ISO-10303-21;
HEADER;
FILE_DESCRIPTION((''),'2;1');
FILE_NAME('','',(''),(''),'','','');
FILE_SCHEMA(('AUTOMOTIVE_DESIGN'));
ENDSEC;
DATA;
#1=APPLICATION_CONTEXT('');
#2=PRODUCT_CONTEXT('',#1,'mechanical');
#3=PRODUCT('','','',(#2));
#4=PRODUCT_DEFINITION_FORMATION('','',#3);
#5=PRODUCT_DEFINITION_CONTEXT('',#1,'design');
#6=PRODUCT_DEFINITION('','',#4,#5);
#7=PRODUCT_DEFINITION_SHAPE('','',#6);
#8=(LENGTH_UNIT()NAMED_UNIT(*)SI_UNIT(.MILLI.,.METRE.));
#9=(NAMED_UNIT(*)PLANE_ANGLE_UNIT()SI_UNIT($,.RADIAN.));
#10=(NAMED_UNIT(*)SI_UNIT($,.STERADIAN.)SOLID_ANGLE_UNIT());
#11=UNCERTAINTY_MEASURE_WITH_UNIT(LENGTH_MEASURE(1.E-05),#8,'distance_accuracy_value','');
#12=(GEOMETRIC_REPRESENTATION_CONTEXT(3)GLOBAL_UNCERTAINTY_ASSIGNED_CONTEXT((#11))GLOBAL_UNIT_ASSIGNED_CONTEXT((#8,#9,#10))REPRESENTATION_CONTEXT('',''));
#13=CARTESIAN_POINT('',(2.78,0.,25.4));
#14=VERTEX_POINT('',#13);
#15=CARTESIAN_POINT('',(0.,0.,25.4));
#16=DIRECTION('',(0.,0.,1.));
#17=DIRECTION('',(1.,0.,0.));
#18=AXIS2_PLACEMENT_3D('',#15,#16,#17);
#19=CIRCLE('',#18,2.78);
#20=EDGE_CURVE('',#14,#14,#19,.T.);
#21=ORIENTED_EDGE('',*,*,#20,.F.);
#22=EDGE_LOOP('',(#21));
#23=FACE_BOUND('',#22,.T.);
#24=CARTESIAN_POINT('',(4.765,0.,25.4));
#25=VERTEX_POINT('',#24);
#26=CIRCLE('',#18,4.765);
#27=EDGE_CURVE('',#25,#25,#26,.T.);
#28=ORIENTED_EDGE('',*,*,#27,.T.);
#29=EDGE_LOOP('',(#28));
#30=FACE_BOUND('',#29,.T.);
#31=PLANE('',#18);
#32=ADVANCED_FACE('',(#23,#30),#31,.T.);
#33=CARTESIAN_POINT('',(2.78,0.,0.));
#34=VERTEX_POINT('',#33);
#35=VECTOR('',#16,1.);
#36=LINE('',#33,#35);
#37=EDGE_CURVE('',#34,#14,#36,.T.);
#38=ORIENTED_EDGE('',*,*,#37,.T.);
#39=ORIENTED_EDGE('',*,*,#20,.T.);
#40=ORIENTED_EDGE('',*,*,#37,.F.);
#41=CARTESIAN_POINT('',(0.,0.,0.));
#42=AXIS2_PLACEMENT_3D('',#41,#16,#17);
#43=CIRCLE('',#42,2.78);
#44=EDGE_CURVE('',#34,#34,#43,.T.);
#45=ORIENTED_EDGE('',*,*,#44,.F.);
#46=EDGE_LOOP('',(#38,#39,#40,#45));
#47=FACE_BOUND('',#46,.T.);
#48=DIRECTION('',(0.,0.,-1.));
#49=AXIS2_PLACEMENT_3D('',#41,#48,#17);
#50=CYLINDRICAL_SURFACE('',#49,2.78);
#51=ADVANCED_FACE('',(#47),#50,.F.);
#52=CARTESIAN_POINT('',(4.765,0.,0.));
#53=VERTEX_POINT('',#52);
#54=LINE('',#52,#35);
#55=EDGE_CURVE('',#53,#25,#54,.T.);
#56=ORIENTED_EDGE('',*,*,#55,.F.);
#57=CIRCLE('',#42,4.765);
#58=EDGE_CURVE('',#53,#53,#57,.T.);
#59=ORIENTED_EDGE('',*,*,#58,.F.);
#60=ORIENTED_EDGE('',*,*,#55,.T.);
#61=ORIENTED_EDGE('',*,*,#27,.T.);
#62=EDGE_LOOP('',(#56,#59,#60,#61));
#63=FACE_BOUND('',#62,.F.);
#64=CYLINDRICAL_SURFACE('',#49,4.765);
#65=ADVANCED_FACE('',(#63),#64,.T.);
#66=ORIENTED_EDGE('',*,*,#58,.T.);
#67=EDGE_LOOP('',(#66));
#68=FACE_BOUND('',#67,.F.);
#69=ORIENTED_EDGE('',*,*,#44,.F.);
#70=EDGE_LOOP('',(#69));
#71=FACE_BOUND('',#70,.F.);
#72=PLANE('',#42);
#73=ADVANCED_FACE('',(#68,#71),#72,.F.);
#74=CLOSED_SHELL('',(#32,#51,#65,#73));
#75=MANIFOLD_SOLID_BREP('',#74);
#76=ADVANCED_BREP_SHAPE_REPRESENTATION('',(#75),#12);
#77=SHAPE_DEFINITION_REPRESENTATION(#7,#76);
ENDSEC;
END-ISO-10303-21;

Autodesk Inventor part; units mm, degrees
ref_plane "YZ Plane" through (0, 0, 0) normal (1, 0, 0) x (0, 1, 0)
ref_plane "XZ Plane" through (0, 0, 0) normal (0, 1, 0) x (-1, 0, 0)
ref_plane "XY Plane" through (0, 0, 0) normal (0, 0, 1) x (1, 0, 0)
sketch "Sketch1" plane through (0, 0, 0) normal (0, 0, 1) x (1, 0, 0)
  circle A0 centre (0, 0) radius 2.78
  circle A1 centre (0, 0) radius 4.765
  dimension "d0" = 5.56
  dimension "d1" = 9.53
extrude "Extrusion1" add sketch "Sketch1" along normal blind 25.4
properties part number "25312-20" material "Aluminum 6061"
